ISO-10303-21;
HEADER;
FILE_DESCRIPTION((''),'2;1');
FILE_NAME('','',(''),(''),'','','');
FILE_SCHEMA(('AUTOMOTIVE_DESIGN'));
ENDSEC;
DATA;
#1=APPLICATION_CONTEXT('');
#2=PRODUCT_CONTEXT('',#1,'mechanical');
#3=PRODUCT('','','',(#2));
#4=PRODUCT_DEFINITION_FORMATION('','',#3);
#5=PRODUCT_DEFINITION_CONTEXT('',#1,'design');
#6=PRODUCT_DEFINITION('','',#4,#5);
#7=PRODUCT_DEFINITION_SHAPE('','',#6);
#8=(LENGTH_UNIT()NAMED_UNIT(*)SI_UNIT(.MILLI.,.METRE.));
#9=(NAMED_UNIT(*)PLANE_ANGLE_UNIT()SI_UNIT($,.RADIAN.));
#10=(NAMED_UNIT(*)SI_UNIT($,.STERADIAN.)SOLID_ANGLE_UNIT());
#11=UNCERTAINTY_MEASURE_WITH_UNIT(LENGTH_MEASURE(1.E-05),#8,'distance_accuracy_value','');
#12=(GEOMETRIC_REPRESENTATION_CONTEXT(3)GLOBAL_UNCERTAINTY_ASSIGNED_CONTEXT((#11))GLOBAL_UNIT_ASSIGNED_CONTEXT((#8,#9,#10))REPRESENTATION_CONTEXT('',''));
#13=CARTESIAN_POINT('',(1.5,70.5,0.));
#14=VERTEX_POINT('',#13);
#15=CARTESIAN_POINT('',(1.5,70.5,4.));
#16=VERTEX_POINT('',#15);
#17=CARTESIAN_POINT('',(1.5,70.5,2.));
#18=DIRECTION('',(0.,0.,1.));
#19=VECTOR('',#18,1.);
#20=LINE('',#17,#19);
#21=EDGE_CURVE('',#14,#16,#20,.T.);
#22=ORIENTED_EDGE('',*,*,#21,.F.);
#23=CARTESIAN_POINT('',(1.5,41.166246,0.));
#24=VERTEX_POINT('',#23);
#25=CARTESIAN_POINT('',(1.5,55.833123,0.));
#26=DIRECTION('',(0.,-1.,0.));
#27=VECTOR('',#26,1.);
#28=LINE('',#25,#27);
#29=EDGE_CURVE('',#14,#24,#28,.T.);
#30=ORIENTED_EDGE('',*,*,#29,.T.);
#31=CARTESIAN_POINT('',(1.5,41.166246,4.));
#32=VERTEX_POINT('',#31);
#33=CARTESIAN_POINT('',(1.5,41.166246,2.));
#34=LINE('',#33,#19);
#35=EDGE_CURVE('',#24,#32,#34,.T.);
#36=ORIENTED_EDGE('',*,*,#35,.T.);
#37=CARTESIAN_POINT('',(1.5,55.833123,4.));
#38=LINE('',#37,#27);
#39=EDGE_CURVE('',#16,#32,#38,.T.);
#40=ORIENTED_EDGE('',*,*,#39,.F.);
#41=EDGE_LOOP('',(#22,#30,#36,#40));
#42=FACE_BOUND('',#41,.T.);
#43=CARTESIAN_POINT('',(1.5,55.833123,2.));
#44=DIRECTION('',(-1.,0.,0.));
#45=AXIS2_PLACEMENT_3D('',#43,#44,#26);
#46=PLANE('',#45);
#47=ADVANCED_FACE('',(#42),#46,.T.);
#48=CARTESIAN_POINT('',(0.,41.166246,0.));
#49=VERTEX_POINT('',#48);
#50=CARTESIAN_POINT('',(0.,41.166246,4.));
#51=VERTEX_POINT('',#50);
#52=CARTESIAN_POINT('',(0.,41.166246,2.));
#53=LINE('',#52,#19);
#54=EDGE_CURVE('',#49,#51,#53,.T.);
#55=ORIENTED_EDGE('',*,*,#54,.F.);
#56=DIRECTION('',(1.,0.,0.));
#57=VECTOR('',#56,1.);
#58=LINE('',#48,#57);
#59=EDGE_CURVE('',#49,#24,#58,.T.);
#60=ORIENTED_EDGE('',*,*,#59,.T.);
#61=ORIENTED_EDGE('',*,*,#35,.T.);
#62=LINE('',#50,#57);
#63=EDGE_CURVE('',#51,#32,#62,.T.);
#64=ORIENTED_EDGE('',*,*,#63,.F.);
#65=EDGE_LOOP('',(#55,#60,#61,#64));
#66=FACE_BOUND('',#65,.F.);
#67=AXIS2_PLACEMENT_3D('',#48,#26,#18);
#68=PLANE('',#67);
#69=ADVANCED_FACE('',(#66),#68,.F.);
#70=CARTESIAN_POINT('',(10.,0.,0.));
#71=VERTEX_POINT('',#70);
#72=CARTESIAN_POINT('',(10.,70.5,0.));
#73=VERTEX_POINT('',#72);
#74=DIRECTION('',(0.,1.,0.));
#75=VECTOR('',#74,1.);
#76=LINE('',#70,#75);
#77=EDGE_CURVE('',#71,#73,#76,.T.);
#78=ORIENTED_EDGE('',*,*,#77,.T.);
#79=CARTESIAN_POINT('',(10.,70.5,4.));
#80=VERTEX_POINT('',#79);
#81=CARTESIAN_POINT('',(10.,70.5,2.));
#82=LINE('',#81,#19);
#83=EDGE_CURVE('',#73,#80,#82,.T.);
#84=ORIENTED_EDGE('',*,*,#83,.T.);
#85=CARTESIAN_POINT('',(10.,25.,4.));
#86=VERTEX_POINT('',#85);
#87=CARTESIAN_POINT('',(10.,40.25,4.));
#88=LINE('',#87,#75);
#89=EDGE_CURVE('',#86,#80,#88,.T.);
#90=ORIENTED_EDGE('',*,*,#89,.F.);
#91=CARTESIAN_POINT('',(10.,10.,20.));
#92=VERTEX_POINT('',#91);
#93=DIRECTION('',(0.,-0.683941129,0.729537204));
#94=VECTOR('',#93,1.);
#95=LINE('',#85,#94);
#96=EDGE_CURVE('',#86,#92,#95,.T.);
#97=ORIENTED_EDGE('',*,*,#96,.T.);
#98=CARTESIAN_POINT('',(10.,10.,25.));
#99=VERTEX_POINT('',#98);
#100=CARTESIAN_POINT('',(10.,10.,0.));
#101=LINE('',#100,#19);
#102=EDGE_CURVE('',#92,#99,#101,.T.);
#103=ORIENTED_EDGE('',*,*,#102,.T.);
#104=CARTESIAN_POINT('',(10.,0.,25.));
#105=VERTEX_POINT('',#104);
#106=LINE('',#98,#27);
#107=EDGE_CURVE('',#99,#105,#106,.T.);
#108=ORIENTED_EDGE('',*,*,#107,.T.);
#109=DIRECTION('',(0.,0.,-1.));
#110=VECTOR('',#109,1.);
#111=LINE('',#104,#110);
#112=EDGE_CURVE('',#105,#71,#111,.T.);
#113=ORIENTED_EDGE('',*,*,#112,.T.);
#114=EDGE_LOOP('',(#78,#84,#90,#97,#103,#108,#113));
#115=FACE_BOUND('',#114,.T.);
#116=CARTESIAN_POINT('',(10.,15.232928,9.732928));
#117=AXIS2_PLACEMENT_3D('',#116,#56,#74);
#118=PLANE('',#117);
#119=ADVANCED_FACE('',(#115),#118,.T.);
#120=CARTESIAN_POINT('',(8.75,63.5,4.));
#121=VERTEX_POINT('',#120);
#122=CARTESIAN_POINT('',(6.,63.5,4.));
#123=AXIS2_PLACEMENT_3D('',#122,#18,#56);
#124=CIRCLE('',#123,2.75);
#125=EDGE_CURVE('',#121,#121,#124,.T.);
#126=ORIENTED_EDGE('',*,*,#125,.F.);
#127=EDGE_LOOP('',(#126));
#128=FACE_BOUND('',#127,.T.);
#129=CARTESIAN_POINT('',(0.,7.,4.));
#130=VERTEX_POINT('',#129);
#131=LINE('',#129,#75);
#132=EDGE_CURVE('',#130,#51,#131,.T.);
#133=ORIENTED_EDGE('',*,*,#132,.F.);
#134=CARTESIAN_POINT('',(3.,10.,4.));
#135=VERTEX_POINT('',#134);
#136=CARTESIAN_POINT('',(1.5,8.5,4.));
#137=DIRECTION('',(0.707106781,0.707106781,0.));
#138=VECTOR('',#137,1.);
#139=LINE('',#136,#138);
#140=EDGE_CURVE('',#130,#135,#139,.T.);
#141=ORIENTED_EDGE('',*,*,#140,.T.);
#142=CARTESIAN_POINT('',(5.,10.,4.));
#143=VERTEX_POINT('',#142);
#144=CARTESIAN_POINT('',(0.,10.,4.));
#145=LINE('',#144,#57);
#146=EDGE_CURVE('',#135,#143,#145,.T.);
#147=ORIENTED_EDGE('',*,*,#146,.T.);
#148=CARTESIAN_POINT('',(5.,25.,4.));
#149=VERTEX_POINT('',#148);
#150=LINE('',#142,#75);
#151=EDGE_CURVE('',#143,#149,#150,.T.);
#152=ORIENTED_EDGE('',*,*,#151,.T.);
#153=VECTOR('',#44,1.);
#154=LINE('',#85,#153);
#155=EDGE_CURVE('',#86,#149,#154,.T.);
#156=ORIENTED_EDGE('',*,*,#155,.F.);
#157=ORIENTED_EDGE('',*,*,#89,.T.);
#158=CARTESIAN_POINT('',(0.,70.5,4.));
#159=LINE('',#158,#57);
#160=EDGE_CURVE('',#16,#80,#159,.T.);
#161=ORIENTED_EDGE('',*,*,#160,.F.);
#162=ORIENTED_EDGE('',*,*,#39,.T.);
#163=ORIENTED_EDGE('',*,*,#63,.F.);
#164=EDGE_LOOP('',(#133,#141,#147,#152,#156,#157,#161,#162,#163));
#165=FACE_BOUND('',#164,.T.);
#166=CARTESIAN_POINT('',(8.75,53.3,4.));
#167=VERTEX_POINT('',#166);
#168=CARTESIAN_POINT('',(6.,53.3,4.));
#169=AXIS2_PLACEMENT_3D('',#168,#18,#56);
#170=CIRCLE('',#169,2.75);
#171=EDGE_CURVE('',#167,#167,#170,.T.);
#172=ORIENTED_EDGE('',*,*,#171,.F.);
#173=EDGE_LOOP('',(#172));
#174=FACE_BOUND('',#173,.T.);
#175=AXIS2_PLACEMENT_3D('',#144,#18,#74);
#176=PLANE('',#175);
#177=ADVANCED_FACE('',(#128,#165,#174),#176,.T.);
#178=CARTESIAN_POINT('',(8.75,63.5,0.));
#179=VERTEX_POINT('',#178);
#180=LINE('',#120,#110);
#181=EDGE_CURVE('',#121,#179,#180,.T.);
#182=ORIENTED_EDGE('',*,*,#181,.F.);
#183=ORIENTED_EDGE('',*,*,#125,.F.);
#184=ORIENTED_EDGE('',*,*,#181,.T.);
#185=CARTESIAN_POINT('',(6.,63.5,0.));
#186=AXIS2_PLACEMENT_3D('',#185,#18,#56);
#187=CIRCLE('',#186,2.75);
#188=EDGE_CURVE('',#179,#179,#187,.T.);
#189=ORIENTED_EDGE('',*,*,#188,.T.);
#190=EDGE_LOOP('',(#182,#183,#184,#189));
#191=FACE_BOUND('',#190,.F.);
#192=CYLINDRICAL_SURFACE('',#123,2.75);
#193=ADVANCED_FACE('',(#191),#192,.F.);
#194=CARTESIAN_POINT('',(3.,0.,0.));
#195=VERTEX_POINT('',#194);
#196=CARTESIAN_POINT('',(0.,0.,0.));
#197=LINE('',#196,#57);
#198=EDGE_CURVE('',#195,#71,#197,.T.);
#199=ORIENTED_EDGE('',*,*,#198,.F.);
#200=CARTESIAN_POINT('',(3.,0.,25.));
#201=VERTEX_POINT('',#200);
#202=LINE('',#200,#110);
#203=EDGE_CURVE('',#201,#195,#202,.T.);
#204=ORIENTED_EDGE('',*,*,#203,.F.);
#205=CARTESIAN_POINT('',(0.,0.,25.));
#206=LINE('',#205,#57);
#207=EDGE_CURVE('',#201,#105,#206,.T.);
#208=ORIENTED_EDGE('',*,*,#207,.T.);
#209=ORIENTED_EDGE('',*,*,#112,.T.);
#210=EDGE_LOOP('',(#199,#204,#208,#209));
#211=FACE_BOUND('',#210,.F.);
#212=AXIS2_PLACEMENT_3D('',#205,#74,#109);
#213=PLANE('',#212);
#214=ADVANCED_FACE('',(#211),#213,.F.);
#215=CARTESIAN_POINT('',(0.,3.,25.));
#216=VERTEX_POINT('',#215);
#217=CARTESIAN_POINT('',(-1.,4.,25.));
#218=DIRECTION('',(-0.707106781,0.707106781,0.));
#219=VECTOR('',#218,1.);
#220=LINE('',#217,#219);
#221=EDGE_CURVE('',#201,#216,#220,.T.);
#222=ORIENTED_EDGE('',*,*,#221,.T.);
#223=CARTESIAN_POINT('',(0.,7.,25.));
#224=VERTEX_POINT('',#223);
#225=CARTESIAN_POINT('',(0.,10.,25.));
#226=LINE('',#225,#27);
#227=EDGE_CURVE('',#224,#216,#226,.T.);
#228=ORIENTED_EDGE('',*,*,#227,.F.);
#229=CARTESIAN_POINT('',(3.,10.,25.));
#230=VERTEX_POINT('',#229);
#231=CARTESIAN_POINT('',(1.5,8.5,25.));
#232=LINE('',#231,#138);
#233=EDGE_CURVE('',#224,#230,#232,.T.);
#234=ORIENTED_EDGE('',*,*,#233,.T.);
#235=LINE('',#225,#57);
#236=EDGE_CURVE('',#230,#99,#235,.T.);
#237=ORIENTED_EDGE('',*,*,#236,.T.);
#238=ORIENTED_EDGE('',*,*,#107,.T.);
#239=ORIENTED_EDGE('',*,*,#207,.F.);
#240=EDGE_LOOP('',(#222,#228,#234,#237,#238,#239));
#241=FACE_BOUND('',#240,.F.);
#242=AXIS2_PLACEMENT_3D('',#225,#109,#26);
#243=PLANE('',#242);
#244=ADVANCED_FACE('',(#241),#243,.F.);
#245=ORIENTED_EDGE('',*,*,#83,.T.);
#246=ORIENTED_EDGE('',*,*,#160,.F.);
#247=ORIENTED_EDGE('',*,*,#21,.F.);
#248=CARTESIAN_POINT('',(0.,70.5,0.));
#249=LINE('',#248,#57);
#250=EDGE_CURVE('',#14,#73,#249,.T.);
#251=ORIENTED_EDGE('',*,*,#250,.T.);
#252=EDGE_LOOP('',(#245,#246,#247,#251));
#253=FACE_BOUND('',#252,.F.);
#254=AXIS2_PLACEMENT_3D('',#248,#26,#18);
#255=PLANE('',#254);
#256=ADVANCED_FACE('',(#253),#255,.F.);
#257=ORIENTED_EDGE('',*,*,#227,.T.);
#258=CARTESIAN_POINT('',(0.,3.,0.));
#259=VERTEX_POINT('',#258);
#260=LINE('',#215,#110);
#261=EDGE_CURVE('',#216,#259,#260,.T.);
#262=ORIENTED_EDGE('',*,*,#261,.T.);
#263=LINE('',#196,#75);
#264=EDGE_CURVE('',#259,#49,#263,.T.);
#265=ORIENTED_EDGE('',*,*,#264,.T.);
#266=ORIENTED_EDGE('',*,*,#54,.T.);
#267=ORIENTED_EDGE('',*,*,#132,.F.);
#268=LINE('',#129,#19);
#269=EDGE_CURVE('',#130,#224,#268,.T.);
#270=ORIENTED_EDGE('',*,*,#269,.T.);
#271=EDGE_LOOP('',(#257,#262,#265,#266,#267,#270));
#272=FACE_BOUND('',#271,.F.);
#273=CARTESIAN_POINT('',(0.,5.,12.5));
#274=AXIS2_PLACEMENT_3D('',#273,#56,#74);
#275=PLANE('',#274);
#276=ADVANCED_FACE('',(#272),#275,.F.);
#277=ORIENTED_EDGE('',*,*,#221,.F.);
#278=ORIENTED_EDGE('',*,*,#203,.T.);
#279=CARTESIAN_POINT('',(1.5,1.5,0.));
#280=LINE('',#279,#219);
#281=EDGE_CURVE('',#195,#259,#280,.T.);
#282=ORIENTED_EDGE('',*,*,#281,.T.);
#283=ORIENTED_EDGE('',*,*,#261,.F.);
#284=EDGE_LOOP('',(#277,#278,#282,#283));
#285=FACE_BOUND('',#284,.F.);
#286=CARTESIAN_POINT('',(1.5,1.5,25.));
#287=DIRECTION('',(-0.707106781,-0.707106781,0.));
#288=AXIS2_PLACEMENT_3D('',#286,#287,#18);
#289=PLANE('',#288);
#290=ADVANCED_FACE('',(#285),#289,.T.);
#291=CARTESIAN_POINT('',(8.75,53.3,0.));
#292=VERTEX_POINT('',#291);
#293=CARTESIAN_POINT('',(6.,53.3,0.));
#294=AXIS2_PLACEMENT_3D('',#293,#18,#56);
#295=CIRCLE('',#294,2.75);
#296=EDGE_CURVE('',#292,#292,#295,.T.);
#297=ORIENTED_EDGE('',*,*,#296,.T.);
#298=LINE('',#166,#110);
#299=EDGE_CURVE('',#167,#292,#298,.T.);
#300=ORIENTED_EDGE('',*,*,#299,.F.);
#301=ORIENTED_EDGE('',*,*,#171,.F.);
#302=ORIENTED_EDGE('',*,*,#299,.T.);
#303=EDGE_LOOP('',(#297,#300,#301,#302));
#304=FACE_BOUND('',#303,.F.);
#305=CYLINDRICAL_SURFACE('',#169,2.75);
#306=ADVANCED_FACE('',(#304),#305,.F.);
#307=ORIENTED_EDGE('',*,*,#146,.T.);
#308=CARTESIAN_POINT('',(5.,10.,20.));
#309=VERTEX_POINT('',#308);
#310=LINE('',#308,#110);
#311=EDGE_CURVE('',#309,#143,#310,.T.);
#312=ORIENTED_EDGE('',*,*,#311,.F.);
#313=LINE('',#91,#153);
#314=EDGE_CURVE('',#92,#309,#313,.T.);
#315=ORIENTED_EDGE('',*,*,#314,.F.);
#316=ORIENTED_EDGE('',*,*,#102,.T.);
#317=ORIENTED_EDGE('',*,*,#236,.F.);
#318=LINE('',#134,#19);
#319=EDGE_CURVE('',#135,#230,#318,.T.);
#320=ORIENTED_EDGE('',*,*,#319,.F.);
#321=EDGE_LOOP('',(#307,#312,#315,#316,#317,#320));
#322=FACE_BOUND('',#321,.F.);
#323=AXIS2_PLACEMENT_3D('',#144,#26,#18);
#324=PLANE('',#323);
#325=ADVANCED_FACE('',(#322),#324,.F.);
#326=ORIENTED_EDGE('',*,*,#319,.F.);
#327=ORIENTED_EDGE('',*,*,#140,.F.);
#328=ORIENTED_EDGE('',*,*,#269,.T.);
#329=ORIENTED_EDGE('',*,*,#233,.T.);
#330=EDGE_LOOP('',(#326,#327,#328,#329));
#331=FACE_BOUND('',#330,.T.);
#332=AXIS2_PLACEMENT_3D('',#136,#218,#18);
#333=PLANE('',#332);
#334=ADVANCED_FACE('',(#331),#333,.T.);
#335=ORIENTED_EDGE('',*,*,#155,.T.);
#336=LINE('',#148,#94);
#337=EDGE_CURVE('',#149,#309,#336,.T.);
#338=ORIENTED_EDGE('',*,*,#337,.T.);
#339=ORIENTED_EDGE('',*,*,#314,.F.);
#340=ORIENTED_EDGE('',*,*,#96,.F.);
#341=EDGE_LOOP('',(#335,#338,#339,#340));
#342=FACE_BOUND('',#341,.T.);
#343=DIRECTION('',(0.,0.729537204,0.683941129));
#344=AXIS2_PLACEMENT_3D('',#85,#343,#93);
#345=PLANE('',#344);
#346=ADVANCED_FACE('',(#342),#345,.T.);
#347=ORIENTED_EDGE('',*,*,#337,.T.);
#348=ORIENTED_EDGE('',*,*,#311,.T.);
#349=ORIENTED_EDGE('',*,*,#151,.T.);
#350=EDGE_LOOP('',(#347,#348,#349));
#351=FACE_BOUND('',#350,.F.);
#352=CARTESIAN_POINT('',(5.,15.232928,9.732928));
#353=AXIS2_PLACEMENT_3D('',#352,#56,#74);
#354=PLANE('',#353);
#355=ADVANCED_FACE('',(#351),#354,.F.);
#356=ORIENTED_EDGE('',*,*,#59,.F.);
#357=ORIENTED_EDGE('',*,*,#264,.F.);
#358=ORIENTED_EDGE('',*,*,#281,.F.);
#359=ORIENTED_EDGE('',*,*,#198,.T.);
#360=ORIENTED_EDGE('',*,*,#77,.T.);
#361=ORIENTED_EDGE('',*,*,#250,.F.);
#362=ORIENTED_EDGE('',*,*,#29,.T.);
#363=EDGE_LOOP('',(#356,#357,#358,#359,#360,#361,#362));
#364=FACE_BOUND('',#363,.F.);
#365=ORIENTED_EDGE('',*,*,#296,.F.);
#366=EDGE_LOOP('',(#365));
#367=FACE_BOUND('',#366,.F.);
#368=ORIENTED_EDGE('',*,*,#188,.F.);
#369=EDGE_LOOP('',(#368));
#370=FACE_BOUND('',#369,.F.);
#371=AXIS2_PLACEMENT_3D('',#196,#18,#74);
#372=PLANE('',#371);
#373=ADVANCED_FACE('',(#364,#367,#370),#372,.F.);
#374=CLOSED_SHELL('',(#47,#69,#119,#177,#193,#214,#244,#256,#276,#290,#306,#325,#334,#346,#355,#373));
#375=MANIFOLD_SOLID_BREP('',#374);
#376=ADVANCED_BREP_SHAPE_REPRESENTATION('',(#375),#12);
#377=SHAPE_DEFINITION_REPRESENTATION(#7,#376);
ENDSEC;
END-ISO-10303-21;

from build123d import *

# Parameters (mm, degrees)
F0_W     = 60.5
F0_H     = 4
F1_DEPTH = 10
F2_R     = 2.75
F3_DEPTH = 31.7
F4_SIZE  = 3
F5_W     = 29.333754
F5_H     = 4
F6_DEPTH = 1.5
F8_DEPTH = 5


with BuildPart() as f1:
    # F0 (on Right) → F1 (new body)
    with BuildSketch(Plane.YZ):
        Polygon((0, 25), (0, 0), (10, 0), (10, 4), (10, 25), align=None)
        with Locations((40.25, 2)):
            Rectangle(F0_W, F0_H)
    extrude(amount=F1_DEPTH)

    # F2 (on face) → F3 (cut)
    with BuildSketch(Plane.XY.offset(4)):
        with Locations((6, 53.3)):
            Circle(F2_R)
        with Locations((6, 63.5)):
            Circle(F2_R)
    extrude(amount=-F3_DEPTH, mode=Mode.SUBTRACT)

    # F4
    f4_edges = [f1.edges().sort_by_distance(p)[0] for p in [
        (0, 0, 12.5),
        (0, 10, 14.5),
    ]]
    chamfer(f4_edges, length=F4_SIZE)

    # F5 (on face) → F6 (cut)
    with BuildSketch(Plane(origin=(0, 0, 0), x_dir=(0, -1, 0), z_dir=(-1, 0, 0))):
        with Locations((-55.833123, 2)):
            Rectangle(F5_W, F5_H)
    extrude(amount=-F6_DEPTH, mode=Mode.SUBTRACT)

    # F7 (on face) → F8 (join)
    with BuildSketch(Plane.YZ.offset(10)):
        Polygon((25, 4), (10, 20), (10, 4), align=None)
    extrude(amount=-F8_DEPTH)


solid = f1.part
